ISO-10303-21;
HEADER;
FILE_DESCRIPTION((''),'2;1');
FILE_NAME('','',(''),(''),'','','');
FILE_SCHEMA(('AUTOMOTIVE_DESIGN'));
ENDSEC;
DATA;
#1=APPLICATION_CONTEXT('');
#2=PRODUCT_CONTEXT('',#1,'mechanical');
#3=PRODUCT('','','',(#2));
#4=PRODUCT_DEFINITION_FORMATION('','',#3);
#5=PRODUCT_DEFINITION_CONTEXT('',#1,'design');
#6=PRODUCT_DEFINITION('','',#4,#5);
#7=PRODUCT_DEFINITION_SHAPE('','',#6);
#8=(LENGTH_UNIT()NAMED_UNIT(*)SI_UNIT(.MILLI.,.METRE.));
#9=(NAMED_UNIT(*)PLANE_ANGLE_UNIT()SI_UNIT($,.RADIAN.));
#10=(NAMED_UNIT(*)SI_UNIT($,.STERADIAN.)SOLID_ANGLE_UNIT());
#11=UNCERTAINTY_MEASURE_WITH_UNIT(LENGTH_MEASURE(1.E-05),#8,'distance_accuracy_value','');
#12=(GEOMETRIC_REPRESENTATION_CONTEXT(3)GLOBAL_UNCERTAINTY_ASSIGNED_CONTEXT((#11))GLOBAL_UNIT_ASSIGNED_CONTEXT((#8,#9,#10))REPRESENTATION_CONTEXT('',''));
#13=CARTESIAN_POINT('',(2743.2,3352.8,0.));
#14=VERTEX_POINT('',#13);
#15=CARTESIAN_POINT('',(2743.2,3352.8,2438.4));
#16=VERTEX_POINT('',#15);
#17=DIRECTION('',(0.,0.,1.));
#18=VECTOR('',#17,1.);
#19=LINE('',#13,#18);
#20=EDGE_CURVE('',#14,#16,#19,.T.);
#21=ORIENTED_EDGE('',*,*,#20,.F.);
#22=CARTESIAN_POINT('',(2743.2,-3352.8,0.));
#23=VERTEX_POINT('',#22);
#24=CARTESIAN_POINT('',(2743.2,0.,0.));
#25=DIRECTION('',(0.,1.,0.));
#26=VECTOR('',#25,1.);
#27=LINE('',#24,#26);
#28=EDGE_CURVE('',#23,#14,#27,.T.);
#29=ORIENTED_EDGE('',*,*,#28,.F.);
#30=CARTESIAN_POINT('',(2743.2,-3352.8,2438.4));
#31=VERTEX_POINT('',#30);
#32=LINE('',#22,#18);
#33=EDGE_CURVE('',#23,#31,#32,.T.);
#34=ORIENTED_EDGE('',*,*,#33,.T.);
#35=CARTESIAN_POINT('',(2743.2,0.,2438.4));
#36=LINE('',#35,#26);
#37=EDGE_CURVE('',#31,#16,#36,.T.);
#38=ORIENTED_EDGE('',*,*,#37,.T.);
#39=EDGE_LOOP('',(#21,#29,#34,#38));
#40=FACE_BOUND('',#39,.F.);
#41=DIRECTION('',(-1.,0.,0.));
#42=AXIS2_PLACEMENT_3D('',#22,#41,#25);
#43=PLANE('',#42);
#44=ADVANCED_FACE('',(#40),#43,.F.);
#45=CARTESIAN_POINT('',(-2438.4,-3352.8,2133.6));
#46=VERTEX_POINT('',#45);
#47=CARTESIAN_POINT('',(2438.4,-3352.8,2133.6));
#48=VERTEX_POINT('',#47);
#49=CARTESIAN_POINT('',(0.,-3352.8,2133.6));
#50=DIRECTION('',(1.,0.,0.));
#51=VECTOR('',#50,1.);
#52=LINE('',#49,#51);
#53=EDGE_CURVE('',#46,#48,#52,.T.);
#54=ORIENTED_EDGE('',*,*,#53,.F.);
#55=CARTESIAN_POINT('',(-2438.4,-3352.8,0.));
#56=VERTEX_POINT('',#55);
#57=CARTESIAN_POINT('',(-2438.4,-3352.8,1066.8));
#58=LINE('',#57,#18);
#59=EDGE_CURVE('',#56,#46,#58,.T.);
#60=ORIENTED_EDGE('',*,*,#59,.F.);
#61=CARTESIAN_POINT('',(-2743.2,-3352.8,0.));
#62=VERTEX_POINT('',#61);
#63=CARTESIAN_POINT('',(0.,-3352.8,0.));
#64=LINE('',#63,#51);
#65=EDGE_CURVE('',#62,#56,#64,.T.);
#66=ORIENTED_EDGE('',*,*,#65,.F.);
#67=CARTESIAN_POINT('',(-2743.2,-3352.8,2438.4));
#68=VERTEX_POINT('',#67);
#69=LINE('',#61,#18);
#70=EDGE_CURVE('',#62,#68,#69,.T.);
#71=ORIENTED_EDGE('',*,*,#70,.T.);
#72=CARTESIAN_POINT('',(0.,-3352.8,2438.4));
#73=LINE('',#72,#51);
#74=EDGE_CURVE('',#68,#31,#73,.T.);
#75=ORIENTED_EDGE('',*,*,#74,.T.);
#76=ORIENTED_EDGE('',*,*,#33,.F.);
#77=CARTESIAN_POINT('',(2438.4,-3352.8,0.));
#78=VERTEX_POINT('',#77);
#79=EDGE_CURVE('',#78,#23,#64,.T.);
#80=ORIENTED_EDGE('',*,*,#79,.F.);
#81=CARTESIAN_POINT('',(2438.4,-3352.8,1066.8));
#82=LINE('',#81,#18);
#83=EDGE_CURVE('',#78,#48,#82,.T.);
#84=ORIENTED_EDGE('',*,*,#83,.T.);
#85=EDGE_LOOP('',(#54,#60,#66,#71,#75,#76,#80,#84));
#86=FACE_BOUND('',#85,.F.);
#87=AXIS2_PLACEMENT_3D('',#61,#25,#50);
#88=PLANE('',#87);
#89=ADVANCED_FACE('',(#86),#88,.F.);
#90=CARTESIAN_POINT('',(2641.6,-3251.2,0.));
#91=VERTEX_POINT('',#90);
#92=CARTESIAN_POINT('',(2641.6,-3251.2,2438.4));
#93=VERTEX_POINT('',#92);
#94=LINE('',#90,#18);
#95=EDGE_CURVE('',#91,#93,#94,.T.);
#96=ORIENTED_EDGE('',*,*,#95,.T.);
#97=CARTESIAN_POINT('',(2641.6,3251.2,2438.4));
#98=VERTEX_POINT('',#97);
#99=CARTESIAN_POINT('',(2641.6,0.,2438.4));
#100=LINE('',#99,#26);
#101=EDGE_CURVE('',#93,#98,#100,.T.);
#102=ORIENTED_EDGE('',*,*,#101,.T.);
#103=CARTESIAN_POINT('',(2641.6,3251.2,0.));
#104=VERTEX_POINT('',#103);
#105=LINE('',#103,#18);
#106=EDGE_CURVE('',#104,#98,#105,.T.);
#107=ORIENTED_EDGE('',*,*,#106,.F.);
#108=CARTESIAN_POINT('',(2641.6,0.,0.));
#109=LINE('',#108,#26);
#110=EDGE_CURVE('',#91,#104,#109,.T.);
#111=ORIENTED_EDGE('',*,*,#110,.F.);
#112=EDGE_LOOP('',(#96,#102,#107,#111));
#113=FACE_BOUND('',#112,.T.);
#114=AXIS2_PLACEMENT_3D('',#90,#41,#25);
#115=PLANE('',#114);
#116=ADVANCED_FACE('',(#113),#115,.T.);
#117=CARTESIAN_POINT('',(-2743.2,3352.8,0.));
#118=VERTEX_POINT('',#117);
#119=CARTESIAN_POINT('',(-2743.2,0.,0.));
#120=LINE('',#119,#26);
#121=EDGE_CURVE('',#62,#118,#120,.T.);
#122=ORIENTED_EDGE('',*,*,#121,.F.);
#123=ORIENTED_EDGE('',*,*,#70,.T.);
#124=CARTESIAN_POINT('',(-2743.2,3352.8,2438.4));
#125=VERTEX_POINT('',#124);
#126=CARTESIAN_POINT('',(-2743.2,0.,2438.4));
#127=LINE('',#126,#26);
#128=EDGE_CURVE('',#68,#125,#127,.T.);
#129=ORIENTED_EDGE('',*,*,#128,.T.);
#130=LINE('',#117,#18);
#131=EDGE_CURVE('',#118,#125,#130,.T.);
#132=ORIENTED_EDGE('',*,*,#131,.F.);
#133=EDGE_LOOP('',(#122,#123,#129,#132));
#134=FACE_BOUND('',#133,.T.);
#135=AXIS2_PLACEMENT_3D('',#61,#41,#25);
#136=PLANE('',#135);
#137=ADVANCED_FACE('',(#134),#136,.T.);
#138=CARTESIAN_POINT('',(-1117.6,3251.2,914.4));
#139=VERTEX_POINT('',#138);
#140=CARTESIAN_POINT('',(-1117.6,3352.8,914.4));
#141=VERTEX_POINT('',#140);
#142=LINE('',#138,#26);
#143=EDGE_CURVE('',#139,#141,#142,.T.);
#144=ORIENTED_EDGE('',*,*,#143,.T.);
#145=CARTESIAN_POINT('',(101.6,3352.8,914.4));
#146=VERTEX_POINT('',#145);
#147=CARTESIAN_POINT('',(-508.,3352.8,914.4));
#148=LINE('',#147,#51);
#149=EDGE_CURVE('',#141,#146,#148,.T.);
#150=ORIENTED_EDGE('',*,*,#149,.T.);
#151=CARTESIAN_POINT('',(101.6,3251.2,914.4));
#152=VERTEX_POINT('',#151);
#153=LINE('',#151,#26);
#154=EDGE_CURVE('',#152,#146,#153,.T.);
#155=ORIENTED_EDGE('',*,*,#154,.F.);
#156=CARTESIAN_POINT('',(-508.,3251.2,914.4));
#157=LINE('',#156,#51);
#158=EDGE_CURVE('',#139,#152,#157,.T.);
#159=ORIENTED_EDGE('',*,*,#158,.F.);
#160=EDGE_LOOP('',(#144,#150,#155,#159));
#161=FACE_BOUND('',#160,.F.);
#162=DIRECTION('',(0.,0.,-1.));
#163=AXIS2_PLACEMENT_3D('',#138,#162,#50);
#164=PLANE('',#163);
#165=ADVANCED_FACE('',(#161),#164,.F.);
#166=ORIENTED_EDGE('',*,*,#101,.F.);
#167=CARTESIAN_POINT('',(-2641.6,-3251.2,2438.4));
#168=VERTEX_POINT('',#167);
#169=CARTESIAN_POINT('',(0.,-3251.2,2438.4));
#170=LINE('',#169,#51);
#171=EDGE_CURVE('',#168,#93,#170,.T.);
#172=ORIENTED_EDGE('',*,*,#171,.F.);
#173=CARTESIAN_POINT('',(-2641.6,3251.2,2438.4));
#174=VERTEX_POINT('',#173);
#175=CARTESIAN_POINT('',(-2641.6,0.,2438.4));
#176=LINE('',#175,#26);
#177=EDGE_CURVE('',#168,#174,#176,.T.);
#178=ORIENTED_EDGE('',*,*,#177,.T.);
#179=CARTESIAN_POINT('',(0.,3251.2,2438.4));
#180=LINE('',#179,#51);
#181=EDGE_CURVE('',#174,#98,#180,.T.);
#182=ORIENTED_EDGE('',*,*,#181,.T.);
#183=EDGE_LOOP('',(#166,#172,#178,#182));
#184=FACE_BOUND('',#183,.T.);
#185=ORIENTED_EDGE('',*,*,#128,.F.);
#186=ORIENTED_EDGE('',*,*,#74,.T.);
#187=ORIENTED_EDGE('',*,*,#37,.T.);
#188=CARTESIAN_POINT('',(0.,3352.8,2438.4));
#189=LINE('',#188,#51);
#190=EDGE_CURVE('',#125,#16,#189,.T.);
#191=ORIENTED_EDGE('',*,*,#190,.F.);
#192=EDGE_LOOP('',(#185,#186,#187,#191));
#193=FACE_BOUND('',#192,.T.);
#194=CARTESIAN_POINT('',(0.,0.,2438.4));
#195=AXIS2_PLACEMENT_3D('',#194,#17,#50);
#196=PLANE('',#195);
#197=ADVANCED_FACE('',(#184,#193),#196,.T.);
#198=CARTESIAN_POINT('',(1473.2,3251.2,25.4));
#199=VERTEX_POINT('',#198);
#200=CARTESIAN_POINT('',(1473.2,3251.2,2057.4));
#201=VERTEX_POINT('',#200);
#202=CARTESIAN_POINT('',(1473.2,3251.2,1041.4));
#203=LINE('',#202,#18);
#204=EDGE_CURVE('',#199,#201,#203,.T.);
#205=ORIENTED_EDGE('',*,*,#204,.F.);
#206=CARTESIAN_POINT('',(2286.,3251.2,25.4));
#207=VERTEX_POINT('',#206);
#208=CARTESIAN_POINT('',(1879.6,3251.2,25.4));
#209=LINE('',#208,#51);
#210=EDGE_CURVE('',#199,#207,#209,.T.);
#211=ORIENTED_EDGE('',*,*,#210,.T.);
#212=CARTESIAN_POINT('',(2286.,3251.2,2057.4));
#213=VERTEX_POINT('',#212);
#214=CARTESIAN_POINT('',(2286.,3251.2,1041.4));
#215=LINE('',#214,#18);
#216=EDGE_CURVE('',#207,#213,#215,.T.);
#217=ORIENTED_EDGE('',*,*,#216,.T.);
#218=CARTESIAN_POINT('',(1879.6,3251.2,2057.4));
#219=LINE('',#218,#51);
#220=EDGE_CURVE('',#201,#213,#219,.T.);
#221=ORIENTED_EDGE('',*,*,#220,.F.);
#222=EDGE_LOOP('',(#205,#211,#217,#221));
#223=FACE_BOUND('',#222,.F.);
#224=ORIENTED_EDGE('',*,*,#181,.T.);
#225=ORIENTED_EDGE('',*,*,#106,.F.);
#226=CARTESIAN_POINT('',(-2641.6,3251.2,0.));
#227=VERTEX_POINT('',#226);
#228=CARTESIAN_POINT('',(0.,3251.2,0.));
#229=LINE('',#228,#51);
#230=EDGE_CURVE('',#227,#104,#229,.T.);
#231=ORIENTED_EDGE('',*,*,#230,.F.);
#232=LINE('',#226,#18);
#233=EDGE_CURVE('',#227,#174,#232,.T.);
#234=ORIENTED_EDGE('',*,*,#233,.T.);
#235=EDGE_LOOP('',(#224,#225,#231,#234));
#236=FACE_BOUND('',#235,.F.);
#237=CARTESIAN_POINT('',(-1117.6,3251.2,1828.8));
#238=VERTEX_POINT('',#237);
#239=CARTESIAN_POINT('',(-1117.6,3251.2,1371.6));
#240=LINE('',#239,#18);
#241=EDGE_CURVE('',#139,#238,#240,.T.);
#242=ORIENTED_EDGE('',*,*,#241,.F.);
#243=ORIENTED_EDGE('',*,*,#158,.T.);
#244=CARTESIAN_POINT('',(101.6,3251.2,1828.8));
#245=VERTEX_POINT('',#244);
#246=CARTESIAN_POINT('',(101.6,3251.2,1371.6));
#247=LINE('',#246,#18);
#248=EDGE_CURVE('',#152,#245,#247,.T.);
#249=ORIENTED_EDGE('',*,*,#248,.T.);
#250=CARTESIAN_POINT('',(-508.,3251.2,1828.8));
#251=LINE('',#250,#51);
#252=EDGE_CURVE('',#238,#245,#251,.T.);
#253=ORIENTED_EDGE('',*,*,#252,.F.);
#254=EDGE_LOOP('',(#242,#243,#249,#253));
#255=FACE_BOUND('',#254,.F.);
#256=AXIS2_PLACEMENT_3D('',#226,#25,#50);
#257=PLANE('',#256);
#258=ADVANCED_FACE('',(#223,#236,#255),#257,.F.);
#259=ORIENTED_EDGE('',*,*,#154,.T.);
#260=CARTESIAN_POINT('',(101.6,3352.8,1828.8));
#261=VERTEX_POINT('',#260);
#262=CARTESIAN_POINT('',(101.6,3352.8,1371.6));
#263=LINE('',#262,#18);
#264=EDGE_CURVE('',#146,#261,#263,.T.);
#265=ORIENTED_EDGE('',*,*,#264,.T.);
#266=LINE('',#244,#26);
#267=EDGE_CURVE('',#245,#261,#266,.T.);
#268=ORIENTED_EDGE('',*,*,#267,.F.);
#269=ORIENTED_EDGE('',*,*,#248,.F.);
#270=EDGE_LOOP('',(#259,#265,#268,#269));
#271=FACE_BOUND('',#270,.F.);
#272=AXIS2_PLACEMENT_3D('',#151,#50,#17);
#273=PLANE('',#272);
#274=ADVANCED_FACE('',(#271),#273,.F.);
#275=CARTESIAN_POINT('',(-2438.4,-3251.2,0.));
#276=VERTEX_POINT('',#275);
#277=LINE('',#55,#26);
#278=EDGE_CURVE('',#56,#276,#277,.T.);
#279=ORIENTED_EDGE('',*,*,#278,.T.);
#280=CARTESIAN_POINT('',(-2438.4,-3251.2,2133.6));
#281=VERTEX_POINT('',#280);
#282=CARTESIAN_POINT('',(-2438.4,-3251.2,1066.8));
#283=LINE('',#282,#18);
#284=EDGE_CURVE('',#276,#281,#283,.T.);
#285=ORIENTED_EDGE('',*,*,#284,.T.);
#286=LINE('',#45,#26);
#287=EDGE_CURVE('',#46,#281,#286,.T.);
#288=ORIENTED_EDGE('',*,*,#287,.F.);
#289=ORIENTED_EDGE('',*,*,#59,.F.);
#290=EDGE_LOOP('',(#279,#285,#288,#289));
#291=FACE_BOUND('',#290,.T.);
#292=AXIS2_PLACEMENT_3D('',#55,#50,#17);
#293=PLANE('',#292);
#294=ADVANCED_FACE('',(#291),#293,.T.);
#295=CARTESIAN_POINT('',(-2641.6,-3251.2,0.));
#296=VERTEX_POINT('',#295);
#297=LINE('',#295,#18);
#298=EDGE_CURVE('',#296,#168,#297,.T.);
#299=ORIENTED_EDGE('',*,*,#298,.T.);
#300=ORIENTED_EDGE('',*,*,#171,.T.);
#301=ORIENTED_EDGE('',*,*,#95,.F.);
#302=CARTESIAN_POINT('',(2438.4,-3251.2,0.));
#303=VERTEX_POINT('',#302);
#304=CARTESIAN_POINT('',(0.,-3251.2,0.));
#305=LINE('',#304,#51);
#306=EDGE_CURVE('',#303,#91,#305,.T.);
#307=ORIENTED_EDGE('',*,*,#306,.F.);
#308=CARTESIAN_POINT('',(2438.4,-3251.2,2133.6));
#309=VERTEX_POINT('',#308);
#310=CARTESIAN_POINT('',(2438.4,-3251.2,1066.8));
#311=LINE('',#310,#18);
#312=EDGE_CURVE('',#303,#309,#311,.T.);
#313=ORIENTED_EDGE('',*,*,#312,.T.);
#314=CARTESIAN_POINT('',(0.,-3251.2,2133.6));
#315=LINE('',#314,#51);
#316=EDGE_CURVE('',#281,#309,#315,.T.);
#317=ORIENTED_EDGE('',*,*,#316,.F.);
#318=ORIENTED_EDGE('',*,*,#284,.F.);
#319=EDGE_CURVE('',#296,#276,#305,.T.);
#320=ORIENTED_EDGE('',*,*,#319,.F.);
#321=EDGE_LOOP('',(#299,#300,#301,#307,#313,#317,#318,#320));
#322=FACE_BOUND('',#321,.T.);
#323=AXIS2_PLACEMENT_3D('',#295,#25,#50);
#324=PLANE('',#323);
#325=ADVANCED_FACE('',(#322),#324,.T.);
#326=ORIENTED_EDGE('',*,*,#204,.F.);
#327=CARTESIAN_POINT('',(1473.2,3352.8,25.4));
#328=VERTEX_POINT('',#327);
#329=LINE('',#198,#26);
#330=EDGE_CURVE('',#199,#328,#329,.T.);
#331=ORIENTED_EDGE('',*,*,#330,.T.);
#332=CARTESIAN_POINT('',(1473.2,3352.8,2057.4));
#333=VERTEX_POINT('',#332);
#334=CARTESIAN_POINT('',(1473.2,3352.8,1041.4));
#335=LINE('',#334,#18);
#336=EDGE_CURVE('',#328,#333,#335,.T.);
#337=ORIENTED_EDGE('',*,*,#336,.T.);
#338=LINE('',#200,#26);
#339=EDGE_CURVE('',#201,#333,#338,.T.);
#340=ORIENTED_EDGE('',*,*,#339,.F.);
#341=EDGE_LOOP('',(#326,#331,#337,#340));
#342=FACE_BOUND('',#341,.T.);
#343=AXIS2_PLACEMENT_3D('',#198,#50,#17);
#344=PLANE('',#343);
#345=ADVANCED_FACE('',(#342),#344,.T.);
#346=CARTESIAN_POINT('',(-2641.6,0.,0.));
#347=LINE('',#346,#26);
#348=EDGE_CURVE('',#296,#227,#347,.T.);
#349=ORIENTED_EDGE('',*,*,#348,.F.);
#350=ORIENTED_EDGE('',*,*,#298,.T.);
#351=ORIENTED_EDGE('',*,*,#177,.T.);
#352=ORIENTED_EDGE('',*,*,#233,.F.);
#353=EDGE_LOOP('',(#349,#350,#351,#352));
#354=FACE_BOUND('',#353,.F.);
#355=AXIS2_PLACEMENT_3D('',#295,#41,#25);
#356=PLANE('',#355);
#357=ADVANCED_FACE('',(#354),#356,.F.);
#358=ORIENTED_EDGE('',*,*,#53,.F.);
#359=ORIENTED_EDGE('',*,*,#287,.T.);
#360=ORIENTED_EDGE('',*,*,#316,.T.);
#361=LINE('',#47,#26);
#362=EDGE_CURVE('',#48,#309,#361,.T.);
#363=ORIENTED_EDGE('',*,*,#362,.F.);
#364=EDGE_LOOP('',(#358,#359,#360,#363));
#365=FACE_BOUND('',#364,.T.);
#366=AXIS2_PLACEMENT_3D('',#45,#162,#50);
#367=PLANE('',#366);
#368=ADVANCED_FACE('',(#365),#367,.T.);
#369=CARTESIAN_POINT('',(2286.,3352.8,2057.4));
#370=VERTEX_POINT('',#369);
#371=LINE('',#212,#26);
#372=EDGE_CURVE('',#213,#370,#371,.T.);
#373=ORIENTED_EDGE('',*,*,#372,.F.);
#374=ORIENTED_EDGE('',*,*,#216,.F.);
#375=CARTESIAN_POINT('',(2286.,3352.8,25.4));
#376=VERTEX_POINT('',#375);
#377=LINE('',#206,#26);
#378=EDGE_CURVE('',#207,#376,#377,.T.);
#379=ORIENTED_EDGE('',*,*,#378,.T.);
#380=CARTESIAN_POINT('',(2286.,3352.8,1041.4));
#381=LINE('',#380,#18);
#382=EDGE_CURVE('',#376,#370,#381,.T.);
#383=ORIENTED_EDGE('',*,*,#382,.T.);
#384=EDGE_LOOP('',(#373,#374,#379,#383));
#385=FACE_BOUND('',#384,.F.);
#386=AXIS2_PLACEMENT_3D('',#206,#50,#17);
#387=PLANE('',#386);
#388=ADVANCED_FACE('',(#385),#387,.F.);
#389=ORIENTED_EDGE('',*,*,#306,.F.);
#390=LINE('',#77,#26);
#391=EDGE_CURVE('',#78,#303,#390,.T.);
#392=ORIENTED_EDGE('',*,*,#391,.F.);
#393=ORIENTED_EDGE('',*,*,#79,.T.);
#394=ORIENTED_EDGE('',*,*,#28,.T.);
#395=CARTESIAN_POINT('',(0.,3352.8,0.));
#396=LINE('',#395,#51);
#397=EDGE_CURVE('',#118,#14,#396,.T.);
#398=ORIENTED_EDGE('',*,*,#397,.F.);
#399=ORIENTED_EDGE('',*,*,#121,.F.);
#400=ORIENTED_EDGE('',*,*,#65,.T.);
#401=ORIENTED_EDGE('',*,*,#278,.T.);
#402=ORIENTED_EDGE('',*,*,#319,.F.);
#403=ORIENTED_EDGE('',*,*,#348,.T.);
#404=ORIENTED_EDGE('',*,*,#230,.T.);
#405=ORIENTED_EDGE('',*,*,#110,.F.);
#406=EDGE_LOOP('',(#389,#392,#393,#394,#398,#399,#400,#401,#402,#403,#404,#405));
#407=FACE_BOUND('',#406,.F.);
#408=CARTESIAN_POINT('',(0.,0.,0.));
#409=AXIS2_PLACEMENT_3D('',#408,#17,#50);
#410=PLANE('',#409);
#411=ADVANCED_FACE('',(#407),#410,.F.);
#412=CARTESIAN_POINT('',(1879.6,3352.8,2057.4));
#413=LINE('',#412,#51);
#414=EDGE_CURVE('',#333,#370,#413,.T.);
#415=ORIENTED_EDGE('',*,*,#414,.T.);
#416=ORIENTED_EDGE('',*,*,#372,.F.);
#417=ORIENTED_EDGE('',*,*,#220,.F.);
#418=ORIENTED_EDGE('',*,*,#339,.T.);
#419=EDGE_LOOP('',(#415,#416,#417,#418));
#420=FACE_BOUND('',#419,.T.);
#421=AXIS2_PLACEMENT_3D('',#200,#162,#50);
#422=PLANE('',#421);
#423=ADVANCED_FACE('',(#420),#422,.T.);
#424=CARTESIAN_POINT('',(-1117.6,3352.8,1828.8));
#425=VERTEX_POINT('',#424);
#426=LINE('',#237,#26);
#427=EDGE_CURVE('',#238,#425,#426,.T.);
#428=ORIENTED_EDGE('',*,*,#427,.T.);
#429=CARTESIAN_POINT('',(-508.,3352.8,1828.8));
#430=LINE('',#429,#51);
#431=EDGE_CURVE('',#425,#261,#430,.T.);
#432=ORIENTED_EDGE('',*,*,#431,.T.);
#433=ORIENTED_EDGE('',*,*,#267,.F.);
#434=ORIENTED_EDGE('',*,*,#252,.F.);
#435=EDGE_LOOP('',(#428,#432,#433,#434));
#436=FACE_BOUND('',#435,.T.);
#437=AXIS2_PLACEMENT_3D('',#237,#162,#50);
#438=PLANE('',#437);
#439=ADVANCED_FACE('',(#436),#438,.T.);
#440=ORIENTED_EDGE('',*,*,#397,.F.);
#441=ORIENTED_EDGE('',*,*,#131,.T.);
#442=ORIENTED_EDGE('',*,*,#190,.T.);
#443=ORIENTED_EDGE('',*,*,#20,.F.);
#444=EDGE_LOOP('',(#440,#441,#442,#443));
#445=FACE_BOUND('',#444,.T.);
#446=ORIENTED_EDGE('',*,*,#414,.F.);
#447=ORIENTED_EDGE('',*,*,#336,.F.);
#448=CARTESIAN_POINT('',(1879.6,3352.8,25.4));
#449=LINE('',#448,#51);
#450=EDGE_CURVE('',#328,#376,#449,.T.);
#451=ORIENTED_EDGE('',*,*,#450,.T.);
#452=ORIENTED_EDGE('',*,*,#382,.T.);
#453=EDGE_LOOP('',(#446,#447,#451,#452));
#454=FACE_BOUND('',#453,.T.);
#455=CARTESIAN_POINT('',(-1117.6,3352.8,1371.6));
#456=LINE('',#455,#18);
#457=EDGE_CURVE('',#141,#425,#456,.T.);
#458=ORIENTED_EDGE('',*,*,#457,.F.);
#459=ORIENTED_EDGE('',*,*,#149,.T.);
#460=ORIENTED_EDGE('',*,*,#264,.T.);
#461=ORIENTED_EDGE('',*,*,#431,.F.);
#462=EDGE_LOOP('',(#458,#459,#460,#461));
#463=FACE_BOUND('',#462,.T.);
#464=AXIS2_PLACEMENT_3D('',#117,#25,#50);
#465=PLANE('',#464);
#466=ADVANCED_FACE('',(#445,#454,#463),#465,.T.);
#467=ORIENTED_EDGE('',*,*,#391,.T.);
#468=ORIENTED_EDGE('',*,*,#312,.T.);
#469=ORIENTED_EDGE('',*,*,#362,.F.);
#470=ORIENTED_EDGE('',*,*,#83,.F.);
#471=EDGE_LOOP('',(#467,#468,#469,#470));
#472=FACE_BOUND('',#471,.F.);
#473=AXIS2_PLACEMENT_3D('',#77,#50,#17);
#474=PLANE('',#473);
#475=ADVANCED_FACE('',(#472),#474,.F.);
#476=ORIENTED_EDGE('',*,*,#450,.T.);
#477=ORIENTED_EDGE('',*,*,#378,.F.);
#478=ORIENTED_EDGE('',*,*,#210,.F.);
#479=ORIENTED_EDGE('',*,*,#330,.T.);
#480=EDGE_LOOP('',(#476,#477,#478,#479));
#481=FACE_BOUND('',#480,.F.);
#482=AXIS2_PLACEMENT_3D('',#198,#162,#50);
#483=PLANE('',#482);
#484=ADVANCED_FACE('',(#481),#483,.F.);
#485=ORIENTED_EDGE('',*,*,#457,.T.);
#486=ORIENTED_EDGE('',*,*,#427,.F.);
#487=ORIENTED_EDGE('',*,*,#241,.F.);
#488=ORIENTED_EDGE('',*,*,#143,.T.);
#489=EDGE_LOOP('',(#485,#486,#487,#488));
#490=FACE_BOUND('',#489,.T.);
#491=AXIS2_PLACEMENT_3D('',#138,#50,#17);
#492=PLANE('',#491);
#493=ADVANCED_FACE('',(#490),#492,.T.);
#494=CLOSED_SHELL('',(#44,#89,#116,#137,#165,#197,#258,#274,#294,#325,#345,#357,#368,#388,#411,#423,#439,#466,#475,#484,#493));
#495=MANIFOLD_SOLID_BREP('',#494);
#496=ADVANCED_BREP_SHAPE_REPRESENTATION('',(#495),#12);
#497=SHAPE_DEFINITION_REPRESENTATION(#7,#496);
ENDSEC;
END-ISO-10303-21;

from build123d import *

# Parameters (mm, degrees)
F0_W     = 5486.4
F0_H     = 6705.6
F0_W_2   = 5283.2
F0_H_2   = 6502.4
F1_DEPTH = 2438.4
F2_W     = 1219.2
F2_H     = 914.4
F3_DEPTH = 101.6
F4_W     = 812.8
F4_H     = 2032
F5_DEPTH = 101.6
F6_W     = 4876.8
F6_H     = 2133.6
F7_DEPTH = 101.6


with BuildPart() as f1:
    # F0 (on Top) → F1 (new body)
    with BuildSketch(Plane.XY):
        Rectangle(F0_W, F0_H)
        Rectangle(F0_W_2, F0_H_2, mode=Mode.SUBTRACT)
    extrude(amount=F1_DEPTH)

    # F2 (on face) → F3 (cut, through all)
    with BuildSketch(Plane.XZ.offset(-3251.2)):
        with Locations((-508, 1371.6)):
            Rectangle(F2_W, F2_H)
    extrude(amount=-F3_DEPTH, mode=Mode.SUBTRACT)

    # F4 (on face) → F5 (cut, through all)
    with BuildSketch(Plane.XZ.offset(-3251.2)):
        with Locations((1879.6, 1041.4)):
            Rectangle(F4_W, F4_H)
    extrude(amount=-F5_DEPTH, mode=Mode.SUBTRACT)

    # F6 (on face) → F7 (cut, through all)
    with BuildSketch(Plane.XZ.offset(3352.8)):
        with Locations((0, 1066.8)):
            Rectangle(F6_W, F6_H)
    extrude(amount=-F7_DEPTH, mode=Mode.SUBTRACT)


solid = f1.part
